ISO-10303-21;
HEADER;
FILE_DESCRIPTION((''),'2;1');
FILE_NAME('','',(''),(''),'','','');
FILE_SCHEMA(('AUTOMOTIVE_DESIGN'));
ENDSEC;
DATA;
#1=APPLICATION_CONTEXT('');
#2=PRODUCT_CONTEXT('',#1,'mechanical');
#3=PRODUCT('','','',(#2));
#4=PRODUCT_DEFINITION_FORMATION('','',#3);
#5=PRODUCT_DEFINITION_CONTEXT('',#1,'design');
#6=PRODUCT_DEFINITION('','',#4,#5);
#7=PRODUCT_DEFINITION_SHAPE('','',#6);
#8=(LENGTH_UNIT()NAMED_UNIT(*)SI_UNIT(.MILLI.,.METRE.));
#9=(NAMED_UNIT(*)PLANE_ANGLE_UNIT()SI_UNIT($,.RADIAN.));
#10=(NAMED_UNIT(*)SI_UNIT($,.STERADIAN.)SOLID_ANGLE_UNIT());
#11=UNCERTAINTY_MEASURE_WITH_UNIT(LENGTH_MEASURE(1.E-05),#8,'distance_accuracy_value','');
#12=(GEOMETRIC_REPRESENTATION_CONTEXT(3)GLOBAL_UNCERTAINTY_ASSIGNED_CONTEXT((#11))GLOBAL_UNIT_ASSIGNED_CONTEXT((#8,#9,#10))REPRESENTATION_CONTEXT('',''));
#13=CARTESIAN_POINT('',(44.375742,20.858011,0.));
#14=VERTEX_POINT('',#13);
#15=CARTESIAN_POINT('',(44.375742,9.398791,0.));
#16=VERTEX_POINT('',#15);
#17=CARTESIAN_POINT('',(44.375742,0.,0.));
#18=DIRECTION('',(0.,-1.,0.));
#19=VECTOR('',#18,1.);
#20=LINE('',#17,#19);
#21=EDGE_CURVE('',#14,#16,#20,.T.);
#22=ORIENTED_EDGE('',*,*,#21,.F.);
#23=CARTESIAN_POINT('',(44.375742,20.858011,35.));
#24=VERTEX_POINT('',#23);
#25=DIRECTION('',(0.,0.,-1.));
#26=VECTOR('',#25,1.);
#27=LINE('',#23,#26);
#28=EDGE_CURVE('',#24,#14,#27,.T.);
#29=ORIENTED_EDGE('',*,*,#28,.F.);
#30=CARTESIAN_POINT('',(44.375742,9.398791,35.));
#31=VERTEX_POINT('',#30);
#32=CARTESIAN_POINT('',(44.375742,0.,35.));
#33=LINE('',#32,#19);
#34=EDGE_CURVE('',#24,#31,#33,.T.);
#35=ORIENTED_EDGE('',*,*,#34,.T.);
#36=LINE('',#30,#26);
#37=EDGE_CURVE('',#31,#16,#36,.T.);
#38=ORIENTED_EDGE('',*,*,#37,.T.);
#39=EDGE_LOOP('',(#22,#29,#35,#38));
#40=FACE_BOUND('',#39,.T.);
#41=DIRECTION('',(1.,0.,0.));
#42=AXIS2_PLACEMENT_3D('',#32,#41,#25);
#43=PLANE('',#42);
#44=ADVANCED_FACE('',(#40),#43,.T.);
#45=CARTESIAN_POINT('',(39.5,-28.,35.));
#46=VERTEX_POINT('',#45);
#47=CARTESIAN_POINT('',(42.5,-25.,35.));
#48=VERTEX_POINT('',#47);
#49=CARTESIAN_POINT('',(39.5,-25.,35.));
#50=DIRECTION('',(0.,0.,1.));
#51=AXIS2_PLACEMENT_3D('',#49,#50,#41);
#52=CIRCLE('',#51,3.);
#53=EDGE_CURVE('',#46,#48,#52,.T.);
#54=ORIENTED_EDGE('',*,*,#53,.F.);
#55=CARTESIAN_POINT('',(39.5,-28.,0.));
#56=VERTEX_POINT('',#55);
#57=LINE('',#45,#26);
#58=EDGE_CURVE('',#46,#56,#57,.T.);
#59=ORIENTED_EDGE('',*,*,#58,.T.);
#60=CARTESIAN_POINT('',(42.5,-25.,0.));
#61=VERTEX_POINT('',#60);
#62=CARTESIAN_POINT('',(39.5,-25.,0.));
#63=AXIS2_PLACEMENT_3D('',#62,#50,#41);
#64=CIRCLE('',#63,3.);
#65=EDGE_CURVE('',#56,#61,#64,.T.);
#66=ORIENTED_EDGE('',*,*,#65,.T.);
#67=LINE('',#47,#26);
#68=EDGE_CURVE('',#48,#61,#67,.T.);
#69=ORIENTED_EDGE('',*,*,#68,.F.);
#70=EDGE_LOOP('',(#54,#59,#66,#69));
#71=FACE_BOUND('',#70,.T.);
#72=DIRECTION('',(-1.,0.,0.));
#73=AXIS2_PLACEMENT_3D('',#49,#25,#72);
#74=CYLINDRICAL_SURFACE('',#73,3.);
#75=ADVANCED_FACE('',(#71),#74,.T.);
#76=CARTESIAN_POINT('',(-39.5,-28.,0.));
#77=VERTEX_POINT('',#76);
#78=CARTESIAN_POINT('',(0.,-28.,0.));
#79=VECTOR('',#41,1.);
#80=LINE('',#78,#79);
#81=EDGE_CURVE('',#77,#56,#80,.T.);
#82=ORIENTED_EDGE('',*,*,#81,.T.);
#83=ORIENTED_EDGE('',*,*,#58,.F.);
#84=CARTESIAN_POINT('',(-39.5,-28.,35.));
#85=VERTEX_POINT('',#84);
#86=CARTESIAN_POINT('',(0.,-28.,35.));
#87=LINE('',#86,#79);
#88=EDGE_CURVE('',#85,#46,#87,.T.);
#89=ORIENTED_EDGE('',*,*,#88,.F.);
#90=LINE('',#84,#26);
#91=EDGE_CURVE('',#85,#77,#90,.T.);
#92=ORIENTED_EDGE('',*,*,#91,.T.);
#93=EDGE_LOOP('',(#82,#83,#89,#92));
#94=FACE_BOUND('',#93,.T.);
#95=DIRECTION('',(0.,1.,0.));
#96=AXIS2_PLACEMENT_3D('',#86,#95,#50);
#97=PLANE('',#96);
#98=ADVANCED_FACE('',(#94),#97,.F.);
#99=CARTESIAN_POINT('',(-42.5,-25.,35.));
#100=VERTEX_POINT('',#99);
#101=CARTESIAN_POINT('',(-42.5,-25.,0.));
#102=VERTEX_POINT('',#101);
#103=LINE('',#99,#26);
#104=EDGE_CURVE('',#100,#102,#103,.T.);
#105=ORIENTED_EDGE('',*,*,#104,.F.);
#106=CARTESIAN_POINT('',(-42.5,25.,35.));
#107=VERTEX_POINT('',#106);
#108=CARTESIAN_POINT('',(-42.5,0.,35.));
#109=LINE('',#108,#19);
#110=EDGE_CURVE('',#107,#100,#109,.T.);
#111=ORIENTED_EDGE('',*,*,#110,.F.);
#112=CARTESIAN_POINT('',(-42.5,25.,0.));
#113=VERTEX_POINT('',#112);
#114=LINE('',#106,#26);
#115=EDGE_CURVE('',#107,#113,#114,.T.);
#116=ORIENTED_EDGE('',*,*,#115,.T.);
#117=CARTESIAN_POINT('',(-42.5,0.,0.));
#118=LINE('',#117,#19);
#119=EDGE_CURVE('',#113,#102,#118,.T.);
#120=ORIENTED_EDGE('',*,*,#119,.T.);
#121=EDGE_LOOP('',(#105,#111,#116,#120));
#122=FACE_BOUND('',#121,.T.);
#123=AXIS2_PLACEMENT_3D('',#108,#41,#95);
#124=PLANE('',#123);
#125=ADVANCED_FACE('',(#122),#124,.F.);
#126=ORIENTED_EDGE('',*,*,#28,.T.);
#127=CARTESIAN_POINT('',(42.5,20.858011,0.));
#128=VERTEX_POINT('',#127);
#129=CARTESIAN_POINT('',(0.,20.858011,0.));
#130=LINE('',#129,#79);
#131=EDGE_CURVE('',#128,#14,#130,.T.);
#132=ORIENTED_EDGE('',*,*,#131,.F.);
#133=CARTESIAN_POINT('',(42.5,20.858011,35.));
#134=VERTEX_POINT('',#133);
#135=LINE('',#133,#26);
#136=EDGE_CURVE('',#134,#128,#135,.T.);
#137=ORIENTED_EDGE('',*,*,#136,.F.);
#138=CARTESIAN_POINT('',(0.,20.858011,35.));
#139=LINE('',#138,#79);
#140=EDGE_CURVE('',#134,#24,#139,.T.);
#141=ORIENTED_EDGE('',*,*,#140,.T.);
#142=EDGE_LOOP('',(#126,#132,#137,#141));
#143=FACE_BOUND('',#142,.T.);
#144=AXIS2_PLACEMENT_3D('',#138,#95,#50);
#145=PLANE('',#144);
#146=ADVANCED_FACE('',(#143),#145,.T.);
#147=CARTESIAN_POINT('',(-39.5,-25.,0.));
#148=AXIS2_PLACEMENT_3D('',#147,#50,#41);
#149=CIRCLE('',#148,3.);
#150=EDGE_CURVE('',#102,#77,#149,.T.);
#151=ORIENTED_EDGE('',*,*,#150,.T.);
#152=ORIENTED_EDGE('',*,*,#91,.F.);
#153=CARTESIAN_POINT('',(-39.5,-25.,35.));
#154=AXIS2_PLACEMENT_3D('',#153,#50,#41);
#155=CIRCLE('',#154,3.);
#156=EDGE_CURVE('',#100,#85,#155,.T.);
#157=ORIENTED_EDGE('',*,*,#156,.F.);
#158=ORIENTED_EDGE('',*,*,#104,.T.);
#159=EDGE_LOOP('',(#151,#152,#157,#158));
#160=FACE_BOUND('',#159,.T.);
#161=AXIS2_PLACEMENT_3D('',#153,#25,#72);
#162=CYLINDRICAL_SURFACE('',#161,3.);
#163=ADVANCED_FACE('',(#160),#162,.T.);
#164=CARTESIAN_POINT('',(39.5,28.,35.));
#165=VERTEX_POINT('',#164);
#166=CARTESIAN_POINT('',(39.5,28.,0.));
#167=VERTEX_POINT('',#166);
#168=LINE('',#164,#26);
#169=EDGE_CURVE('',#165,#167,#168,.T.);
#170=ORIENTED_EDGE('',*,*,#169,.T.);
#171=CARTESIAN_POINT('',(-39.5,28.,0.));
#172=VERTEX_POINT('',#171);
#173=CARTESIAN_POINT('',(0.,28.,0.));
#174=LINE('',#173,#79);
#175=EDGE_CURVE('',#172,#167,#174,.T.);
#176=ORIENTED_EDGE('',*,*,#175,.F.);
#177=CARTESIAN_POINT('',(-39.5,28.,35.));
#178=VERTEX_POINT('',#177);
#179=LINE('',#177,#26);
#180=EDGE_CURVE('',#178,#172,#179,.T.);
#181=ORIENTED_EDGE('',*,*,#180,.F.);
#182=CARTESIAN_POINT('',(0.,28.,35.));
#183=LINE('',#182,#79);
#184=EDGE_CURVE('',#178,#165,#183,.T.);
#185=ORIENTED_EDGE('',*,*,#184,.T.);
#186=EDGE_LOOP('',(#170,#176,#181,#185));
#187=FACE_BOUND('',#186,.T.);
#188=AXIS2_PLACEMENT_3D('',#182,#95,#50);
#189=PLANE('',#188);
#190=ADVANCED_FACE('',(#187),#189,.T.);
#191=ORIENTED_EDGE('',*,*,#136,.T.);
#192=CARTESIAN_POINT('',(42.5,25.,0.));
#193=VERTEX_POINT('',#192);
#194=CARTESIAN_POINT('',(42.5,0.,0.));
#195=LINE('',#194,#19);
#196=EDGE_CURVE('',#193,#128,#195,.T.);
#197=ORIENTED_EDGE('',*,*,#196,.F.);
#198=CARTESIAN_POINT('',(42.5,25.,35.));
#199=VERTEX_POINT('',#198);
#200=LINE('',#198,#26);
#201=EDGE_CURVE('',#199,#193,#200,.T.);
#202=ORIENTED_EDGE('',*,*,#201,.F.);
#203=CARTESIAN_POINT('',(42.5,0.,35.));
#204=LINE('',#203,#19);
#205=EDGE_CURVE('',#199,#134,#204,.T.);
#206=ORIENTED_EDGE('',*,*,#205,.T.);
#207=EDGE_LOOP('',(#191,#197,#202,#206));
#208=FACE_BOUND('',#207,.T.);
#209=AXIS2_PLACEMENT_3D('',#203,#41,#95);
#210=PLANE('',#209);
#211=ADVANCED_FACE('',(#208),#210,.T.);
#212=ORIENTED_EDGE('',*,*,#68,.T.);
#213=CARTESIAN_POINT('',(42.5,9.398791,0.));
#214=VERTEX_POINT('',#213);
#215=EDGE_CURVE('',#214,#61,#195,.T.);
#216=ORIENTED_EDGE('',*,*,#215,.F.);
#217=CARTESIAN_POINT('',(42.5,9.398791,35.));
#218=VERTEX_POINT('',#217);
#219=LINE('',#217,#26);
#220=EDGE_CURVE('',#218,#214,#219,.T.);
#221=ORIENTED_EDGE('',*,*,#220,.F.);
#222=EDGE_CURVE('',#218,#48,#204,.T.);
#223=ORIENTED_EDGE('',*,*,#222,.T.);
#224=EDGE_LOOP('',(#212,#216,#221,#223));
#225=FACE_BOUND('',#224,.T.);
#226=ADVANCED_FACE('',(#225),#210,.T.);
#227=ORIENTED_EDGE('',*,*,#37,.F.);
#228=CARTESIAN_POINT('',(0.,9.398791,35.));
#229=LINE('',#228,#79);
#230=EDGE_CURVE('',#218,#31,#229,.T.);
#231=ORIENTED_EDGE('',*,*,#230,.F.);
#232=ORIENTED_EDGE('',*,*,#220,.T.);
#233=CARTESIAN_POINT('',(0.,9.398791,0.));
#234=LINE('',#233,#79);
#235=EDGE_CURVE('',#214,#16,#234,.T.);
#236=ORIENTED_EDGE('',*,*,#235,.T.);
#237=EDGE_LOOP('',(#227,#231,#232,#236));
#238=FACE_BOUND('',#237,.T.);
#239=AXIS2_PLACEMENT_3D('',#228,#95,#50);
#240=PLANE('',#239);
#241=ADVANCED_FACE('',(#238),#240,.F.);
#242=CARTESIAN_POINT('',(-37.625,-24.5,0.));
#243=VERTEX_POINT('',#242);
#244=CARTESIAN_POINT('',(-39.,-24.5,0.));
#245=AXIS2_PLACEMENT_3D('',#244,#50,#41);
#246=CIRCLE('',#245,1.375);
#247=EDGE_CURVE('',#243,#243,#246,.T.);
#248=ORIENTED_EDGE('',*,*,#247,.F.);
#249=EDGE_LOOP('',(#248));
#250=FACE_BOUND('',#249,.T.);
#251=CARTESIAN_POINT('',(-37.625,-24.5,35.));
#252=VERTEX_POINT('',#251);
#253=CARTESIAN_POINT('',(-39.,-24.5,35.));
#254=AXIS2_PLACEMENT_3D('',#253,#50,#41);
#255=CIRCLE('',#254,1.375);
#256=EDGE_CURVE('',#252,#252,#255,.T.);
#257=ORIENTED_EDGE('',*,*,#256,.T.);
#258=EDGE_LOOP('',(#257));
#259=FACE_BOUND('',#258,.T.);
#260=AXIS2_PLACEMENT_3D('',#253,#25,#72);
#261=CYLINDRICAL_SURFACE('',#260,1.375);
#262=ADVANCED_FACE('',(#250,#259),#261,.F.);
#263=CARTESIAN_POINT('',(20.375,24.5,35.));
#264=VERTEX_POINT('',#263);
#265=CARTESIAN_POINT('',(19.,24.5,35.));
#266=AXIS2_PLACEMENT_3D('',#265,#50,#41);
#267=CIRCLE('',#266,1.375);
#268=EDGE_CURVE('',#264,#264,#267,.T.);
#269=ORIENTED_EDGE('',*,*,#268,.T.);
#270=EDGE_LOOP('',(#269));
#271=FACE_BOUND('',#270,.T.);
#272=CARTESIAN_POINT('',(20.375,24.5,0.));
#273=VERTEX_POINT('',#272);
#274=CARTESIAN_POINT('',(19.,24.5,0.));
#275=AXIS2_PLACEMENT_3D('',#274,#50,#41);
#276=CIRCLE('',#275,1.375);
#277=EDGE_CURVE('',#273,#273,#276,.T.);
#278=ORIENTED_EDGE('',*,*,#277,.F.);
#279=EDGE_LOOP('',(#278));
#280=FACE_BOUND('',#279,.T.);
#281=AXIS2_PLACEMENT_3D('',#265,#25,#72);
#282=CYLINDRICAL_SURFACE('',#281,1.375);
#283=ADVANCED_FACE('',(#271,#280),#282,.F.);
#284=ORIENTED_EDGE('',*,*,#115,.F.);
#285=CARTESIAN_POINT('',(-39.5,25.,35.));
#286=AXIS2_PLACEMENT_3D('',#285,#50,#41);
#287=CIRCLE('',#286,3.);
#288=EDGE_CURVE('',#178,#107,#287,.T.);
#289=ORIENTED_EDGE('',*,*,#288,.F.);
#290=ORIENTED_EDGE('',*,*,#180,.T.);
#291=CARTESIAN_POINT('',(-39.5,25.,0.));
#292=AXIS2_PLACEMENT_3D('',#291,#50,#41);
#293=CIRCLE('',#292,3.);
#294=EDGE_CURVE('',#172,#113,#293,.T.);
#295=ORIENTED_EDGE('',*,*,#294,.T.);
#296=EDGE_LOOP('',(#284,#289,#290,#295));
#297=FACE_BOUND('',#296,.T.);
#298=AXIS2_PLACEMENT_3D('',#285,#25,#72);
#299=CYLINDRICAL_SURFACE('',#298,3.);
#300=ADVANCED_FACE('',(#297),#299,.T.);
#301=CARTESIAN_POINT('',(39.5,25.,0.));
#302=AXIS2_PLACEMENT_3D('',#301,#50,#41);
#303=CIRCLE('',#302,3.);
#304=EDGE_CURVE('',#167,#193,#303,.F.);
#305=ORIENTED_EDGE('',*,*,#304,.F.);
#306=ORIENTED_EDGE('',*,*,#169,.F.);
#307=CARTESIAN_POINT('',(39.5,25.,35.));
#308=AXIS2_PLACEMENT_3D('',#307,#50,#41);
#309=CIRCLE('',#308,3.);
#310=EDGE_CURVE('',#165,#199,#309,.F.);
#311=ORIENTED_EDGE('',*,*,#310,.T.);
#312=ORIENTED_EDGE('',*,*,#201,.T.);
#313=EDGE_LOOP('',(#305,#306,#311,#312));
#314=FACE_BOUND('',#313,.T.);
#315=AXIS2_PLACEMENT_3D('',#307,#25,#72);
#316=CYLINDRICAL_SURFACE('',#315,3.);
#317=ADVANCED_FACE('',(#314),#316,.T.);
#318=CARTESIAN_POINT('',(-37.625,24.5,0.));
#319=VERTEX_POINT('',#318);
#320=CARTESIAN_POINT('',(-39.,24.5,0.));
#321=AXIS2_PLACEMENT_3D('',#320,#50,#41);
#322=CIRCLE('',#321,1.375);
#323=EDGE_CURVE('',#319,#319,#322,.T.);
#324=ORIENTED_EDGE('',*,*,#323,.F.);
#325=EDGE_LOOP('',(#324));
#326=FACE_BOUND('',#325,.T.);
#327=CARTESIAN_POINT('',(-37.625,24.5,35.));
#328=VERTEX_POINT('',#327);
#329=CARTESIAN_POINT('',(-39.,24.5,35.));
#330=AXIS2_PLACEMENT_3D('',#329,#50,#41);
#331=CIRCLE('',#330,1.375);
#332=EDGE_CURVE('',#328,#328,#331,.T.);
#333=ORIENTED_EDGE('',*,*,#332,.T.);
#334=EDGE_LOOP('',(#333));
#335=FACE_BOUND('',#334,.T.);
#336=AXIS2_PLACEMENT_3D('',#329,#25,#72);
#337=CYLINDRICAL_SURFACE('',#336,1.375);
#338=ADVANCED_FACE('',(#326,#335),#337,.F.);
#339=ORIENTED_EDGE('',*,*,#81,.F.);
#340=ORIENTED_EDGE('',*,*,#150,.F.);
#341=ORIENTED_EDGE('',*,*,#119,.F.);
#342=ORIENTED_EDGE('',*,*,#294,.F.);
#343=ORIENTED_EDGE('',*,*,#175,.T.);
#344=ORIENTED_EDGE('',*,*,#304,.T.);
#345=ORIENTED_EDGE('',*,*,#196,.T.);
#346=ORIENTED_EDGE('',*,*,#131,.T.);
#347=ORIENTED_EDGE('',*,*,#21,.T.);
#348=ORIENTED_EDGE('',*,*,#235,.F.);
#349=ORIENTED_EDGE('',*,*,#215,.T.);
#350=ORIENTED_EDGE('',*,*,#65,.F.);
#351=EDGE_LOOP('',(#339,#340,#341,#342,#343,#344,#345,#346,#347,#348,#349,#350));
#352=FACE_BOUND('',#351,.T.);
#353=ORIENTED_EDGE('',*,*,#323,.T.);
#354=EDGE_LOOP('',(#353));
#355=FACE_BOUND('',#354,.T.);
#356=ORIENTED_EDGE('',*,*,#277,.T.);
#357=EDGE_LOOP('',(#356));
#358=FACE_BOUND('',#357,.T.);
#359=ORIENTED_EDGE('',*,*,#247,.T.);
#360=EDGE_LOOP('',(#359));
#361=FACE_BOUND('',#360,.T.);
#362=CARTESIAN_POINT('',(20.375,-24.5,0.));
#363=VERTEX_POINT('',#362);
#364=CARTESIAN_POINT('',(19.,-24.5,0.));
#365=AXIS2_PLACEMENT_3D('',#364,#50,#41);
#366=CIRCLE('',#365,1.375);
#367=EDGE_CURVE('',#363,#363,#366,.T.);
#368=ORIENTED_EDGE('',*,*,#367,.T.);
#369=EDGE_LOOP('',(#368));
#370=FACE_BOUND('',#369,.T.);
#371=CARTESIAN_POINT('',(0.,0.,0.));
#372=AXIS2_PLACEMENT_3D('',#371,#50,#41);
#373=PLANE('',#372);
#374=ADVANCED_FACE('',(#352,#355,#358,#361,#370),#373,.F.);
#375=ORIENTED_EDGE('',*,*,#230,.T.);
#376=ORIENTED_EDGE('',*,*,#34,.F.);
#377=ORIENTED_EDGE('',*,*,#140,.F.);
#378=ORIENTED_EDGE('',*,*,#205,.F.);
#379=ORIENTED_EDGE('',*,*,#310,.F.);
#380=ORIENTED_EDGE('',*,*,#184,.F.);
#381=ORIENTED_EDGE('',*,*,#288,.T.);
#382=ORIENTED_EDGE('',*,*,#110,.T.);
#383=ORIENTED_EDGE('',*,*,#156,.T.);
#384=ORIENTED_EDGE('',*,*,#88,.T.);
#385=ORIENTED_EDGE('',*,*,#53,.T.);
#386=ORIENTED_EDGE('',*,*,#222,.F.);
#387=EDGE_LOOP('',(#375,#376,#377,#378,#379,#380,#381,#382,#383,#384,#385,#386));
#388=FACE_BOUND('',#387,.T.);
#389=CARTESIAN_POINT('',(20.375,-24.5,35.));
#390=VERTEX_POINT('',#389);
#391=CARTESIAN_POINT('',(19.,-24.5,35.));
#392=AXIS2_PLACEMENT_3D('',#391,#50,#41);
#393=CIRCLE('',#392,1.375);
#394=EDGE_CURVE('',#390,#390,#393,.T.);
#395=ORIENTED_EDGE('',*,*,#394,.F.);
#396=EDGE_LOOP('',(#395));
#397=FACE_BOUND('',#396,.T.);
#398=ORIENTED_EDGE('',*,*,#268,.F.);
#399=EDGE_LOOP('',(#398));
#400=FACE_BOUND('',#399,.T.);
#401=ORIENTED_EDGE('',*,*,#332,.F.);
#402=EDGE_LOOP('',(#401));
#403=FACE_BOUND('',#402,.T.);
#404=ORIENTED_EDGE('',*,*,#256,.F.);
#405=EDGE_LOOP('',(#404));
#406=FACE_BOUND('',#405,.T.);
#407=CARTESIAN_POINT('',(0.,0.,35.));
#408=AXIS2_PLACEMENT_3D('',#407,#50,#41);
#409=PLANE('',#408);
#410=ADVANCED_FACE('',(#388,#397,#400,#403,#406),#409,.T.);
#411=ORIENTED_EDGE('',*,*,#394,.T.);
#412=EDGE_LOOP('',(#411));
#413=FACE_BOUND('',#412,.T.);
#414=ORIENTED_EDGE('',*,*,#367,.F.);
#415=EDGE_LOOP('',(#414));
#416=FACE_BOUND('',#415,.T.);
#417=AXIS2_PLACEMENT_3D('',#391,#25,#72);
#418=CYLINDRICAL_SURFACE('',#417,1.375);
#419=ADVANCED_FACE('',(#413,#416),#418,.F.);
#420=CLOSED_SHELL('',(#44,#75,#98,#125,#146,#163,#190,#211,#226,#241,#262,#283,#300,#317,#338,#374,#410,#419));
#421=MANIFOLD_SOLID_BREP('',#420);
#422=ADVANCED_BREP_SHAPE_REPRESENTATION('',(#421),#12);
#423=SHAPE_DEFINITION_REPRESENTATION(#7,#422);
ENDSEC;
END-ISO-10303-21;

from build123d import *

# Parameters (mm, degrees)
SKETCH1_R           = 1.375
SKETCH1_W           = 53.678190842
SKETCH1_H           = 4.106512076
SKETCH1_W_2         = 1.875741611
SKETCH1_H_2         = 11.459220881
SKETCH1_W_3         = 17.06705209
BOSS_EXTRUDE1_DEPTH = 35


with BuildPart() as part:
    # Sketch1 → Boss-Extrude1 (new body)
    with BuildSketch(Plane.XY):
        with BuildLine():
            Line((39.5, 28), (-39.5, 28))
            ThreePointArc((-39.5, 28), (-41.621320344, 27.121320344), (-42.5, 25))
            Line((-42.5, 25), (-42.5, -25))
            ThreePointArc((-42.5, -25), (-41.621320344, -27.121320344), (-39.5, -28))
            Line((-39.5, -28), (39.5, -28))
            ThreePointArc((39.5, -28), (41.621320344, -27.121320344), (42.5, -25))
            Line((42.5, -25), (42.5, 9.398790598))
            Line((42.5, 9.398790598), (25.43294791, 9.398790598))
            Line((25.43294791, 9.398790598), (25.43294791, 20.858011479))
            Line((25.43294791, 20.858011479), (42.5, 20.858011479))
            Line((42.5, 20.858011479), (42.5, 25))
            ThreePointArc((42.5, 25), (41.621320344, 27.121320344), (39.5, 28))
        make_face()
        with Locations((-39, -24.5)):
            Circle(SKETCH1_R, mode=Mode.SUBTRACT)
        with Locations((19, -24.5)):
            Circle(SKETCH1_R, mode=Mode.SUBTRACT)
        with Locations((-39, 24.5)):
            Circle(SKETCH1_R, mode=Mode.SUBTRACT)
        with Locations((-10.129653796, 24.707102416)):
            Rectangle(SKETCH1_W, SKETCH1_H, mode=Mode.SUBTRACT)
        with Locations((19, 24.5)):
            Circle(SKETCH1_R, mode=Mode.SUBTRACT)
        with Locations((-10.129653796, 24.707102416)):
            Rectangle(SKETCH1_W, SKETCH1_H)
        with Locations((43.437870805, 15.128401039)):
            Rectangle(SKETCH1_W_2, SKETCH1_H_2)
        with Locations((33.966473955, 15.128401039)):
            Rectangle(SKETCH1_W_3, SKETCH1_H_2)
    extrude(amount=BOSS_EXTRUDE1_DEPTH)


solid = part.part
